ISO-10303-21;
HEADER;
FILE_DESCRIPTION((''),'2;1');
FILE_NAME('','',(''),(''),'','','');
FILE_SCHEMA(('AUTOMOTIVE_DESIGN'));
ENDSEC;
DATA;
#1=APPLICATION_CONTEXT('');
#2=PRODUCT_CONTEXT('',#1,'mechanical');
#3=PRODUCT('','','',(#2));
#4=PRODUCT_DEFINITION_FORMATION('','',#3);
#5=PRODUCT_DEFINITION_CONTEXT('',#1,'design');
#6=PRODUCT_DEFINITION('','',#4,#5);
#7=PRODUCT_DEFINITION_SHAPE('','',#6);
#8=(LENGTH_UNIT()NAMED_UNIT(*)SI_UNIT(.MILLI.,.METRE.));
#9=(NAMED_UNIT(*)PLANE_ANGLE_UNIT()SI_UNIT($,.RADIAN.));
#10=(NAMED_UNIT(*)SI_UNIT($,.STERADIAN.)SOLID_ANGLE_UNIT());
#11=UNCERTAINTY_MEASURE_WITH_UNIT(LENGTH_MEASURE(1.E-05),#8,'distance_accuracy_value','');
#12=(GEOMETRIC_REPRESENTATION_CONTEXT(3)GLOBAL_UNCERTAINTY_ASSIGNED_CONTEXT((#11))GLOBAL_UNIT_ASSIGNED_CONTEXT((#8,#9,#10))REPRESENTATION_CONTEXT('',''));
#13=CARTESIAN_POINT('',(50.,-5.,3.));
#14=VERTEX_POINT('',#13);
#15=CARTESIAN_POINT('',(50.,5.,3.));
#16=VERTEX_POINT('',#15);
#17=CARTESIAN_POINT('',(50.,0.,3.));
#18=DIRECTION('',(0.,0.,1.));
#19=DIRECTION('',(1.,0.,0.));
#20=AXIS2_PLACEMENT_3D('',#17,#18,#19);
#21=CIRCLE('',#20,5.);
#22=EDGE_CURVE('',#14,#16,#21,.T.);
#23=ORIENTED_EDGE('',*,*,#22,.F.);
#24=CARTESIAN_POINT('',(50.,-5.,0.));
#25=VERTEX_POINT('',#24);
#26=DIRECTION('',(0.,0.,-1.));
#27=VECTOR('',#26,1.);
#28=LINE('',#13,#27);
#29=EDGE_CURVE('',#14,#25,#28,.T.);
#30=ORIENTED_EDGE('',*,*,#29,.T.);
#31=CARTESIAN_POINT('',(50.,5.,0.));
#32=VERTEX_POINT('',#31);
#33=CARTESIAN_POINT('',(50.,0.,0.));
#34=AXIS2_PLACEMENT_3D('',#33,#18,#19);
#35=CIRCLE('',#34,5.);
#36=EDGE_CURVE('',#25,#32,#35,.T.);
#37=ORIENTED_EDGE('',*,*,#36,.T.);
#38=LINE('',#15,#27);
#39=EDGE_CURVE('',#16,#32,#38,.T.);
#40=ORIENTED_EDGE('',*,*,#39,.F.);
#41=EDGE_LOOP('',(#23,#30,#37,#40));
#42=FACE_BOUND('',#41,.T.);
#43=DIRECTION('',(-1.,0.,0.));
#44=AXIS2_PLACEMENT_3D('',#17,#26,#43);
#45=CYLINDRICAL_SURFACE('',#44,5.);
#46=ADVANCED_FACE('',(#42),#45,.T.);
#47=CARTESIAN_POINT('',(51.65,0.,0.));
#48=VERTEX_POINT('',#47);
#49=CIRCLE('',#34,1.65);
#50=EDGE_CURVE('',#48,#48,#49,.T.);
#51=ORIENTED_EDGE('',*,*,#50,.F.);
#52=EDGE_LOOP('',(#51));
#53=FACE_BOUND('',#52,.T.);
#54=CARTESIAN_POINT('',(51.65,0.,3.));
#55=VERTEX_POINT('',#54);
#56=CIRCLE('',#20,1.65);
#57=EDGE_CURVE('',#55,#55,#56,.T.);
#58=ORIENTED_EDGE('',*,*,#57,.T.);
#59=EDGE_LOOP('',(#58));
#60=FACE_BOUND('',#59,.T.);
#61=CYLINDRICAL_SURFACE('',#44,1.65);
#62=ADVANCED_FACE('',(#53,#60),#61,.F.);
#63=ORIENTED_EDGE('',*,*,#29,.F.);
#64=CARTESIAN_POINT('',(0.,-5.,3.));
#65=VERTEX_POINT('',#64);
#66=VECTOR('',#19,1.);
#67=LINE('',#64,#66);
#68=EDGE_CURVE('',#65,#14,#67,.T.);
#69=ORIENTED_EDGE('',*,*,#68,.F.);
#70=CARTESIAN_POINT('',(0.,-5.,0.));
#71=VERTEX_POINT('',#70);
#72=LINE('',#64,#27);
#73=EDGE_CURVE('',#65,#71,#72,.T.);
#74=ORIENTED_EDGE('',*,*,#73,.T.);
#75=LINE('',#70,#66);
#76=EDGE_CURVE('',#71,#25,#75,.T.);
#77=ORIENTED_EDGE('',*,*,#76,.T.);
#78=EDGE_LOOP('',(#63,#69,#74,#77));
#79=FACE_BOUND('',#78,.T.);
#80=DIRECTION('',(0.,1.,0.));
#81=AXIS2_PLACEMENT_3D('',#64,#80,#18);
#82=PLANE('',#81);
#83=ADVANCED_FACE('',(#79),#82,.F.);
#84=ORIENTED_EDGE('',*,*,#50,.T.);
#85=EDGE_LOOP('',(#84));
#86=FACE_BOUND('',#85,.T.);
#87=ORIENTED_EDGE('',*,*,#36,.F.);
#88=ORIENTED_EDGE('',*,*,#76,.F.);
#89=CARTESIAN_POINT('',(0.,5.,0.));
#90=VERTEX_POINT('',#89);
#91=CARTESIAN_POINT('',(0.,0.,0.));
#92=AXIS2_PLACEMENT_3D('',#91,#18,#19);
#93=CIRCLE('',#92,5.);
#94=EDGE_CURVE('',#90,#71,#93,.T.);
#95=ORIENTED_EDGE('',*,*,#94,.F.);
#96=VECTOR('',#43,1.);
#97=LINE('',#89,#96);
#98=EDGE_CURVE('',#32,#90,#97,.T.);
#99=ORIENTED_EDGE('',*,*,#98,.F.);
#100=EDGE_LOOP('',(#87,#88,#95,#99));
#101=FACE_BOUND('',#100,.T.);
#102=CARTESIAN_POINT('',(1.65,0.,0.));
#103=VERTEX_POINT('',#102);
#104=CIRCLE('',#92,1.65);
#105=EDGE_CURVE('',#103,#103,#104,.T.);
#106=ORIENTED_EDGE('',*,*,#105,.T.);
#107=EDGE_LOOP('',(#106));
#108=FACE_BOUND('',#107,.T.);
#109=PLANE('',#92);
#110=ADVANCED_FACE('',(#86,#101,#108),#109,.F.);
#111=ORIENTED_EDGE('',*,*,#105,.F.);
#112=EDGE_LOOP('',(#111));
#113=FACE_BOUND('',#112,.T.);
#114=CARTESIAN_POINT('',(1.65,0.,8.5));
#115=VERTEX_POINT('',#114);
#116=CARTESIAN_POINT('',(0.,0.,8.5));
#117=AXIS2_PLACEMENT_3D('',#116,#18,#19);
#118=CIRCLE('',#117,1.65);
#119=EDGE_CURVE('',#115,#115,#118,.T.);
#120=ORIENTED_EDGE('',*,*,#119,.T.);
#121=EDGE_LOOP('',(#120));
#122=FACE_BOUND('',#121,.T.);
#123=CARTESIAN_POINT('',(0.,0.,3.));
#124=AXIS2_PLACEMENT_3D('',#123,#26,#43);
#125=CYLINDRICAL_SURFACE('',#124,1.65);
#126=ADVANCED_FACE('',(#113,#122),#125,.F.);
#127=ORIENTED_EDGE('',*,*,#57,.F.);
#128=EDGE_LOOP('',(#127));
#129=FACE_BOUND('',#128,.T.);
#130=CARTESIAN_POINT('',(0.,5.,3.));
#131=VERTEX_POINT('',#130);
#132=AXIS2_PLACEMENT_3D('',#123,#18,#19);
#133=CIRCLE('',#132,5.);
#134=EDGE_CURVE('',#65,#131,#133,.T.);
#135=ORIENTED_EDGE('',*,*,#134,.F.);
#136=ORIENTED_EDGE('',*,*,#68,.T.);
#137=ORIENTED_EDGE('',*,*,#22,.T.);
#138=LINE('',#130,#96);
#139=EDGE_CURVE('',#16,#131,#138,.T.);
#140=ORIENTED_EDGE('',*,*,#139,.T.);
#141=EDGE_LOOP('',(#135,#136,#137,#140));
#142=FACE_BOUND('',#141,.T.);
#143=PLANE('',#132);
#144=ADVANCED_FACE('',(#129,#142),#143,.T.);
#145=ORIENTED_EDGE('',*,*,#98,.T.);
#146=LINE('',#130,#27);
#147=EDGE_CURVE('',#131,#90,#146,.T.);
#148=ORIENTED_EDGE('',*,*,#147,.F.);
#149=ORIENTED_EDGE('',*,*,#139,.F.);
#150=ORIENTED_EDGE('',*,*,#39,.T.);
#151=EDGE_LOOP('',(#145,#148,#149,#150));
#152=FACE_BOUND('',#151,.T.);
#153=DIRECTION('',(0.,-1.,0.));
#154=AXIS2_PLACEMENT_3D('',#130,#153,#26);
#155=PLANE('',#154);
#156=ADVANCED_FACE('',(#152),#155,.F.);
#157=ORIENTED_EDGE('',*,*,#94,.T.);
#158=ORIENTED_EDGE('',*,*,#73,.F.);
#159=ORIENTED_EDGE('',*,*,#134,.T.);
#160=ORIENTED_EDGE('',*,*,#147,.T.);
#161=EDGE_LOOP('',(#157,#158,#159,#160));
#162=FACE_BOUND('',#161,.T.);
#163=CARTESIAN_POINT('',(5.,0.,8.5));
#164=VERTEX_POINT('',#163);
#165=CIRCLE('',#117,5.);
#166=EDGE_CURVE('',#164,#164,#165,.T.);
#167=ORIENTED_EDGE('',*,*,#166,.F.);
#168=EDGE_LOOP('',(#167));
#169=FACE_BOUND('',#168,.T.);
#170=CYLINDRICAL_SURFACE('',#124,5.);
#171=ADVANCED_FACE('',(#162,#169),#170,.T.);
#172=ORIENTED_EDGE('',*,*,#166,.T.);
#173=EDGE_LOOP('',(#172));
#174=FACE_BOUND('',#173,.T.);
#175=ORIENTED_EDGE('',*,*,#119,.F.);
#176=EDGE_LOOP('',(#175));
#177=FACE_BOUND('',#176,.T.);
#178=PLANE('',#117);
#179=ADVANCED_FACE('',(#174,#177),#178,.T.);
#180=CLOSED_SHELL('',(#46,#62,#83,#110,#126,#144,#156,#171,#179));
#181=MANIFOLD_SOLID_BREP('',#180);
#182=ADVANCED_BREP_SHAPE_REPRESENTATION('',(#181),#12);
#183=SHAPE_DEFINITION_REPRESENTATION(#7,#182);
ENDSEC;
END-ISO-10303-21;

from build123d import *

# Parameters (mm, degrees)
SKETCH_1_R      = 1.65
EXTRUDE_1_DEPTH = 3
SKETCH_2_R      = 5
SKETCH_2_R_2    = 1.65
EXTRUDE_2_DEPTH = 5.5


with BuildPart() as part:
    # 草圖1 → 填料-伸長1 (new body)
    with BuildSketch(Plane.XY):
        with BuildLine():
            Line((0, 5), (50, 5))
            ThreePointArc((50, 5), (55, 0), (50, -5))
            Line((50, -5), (0, -5))
            ThreePointArc((0, -5), (-5, 0), (0, 5))
        make_face()
        Circle(SKETCH_1_R, mode=Mode.SUBTRACT)
        with Locations((50, 0)):
            Circle(SKETCH_1_R, mode=Mode.SUBTRACT)
    extrude(amount=EXTRUDE_1_DEPTH)

    # 草圖2 → 填料-伸長2 (add)
    with BuildSketch(Plane.XY.offset(3)):
        Circle(SKETCH_2_R)
        Circle(SKETCH_2_R_2, mode=Mode.SUBTRACT)
    extrude(amount=EXTRUDE_2_DEPTH)


solid = part.part
